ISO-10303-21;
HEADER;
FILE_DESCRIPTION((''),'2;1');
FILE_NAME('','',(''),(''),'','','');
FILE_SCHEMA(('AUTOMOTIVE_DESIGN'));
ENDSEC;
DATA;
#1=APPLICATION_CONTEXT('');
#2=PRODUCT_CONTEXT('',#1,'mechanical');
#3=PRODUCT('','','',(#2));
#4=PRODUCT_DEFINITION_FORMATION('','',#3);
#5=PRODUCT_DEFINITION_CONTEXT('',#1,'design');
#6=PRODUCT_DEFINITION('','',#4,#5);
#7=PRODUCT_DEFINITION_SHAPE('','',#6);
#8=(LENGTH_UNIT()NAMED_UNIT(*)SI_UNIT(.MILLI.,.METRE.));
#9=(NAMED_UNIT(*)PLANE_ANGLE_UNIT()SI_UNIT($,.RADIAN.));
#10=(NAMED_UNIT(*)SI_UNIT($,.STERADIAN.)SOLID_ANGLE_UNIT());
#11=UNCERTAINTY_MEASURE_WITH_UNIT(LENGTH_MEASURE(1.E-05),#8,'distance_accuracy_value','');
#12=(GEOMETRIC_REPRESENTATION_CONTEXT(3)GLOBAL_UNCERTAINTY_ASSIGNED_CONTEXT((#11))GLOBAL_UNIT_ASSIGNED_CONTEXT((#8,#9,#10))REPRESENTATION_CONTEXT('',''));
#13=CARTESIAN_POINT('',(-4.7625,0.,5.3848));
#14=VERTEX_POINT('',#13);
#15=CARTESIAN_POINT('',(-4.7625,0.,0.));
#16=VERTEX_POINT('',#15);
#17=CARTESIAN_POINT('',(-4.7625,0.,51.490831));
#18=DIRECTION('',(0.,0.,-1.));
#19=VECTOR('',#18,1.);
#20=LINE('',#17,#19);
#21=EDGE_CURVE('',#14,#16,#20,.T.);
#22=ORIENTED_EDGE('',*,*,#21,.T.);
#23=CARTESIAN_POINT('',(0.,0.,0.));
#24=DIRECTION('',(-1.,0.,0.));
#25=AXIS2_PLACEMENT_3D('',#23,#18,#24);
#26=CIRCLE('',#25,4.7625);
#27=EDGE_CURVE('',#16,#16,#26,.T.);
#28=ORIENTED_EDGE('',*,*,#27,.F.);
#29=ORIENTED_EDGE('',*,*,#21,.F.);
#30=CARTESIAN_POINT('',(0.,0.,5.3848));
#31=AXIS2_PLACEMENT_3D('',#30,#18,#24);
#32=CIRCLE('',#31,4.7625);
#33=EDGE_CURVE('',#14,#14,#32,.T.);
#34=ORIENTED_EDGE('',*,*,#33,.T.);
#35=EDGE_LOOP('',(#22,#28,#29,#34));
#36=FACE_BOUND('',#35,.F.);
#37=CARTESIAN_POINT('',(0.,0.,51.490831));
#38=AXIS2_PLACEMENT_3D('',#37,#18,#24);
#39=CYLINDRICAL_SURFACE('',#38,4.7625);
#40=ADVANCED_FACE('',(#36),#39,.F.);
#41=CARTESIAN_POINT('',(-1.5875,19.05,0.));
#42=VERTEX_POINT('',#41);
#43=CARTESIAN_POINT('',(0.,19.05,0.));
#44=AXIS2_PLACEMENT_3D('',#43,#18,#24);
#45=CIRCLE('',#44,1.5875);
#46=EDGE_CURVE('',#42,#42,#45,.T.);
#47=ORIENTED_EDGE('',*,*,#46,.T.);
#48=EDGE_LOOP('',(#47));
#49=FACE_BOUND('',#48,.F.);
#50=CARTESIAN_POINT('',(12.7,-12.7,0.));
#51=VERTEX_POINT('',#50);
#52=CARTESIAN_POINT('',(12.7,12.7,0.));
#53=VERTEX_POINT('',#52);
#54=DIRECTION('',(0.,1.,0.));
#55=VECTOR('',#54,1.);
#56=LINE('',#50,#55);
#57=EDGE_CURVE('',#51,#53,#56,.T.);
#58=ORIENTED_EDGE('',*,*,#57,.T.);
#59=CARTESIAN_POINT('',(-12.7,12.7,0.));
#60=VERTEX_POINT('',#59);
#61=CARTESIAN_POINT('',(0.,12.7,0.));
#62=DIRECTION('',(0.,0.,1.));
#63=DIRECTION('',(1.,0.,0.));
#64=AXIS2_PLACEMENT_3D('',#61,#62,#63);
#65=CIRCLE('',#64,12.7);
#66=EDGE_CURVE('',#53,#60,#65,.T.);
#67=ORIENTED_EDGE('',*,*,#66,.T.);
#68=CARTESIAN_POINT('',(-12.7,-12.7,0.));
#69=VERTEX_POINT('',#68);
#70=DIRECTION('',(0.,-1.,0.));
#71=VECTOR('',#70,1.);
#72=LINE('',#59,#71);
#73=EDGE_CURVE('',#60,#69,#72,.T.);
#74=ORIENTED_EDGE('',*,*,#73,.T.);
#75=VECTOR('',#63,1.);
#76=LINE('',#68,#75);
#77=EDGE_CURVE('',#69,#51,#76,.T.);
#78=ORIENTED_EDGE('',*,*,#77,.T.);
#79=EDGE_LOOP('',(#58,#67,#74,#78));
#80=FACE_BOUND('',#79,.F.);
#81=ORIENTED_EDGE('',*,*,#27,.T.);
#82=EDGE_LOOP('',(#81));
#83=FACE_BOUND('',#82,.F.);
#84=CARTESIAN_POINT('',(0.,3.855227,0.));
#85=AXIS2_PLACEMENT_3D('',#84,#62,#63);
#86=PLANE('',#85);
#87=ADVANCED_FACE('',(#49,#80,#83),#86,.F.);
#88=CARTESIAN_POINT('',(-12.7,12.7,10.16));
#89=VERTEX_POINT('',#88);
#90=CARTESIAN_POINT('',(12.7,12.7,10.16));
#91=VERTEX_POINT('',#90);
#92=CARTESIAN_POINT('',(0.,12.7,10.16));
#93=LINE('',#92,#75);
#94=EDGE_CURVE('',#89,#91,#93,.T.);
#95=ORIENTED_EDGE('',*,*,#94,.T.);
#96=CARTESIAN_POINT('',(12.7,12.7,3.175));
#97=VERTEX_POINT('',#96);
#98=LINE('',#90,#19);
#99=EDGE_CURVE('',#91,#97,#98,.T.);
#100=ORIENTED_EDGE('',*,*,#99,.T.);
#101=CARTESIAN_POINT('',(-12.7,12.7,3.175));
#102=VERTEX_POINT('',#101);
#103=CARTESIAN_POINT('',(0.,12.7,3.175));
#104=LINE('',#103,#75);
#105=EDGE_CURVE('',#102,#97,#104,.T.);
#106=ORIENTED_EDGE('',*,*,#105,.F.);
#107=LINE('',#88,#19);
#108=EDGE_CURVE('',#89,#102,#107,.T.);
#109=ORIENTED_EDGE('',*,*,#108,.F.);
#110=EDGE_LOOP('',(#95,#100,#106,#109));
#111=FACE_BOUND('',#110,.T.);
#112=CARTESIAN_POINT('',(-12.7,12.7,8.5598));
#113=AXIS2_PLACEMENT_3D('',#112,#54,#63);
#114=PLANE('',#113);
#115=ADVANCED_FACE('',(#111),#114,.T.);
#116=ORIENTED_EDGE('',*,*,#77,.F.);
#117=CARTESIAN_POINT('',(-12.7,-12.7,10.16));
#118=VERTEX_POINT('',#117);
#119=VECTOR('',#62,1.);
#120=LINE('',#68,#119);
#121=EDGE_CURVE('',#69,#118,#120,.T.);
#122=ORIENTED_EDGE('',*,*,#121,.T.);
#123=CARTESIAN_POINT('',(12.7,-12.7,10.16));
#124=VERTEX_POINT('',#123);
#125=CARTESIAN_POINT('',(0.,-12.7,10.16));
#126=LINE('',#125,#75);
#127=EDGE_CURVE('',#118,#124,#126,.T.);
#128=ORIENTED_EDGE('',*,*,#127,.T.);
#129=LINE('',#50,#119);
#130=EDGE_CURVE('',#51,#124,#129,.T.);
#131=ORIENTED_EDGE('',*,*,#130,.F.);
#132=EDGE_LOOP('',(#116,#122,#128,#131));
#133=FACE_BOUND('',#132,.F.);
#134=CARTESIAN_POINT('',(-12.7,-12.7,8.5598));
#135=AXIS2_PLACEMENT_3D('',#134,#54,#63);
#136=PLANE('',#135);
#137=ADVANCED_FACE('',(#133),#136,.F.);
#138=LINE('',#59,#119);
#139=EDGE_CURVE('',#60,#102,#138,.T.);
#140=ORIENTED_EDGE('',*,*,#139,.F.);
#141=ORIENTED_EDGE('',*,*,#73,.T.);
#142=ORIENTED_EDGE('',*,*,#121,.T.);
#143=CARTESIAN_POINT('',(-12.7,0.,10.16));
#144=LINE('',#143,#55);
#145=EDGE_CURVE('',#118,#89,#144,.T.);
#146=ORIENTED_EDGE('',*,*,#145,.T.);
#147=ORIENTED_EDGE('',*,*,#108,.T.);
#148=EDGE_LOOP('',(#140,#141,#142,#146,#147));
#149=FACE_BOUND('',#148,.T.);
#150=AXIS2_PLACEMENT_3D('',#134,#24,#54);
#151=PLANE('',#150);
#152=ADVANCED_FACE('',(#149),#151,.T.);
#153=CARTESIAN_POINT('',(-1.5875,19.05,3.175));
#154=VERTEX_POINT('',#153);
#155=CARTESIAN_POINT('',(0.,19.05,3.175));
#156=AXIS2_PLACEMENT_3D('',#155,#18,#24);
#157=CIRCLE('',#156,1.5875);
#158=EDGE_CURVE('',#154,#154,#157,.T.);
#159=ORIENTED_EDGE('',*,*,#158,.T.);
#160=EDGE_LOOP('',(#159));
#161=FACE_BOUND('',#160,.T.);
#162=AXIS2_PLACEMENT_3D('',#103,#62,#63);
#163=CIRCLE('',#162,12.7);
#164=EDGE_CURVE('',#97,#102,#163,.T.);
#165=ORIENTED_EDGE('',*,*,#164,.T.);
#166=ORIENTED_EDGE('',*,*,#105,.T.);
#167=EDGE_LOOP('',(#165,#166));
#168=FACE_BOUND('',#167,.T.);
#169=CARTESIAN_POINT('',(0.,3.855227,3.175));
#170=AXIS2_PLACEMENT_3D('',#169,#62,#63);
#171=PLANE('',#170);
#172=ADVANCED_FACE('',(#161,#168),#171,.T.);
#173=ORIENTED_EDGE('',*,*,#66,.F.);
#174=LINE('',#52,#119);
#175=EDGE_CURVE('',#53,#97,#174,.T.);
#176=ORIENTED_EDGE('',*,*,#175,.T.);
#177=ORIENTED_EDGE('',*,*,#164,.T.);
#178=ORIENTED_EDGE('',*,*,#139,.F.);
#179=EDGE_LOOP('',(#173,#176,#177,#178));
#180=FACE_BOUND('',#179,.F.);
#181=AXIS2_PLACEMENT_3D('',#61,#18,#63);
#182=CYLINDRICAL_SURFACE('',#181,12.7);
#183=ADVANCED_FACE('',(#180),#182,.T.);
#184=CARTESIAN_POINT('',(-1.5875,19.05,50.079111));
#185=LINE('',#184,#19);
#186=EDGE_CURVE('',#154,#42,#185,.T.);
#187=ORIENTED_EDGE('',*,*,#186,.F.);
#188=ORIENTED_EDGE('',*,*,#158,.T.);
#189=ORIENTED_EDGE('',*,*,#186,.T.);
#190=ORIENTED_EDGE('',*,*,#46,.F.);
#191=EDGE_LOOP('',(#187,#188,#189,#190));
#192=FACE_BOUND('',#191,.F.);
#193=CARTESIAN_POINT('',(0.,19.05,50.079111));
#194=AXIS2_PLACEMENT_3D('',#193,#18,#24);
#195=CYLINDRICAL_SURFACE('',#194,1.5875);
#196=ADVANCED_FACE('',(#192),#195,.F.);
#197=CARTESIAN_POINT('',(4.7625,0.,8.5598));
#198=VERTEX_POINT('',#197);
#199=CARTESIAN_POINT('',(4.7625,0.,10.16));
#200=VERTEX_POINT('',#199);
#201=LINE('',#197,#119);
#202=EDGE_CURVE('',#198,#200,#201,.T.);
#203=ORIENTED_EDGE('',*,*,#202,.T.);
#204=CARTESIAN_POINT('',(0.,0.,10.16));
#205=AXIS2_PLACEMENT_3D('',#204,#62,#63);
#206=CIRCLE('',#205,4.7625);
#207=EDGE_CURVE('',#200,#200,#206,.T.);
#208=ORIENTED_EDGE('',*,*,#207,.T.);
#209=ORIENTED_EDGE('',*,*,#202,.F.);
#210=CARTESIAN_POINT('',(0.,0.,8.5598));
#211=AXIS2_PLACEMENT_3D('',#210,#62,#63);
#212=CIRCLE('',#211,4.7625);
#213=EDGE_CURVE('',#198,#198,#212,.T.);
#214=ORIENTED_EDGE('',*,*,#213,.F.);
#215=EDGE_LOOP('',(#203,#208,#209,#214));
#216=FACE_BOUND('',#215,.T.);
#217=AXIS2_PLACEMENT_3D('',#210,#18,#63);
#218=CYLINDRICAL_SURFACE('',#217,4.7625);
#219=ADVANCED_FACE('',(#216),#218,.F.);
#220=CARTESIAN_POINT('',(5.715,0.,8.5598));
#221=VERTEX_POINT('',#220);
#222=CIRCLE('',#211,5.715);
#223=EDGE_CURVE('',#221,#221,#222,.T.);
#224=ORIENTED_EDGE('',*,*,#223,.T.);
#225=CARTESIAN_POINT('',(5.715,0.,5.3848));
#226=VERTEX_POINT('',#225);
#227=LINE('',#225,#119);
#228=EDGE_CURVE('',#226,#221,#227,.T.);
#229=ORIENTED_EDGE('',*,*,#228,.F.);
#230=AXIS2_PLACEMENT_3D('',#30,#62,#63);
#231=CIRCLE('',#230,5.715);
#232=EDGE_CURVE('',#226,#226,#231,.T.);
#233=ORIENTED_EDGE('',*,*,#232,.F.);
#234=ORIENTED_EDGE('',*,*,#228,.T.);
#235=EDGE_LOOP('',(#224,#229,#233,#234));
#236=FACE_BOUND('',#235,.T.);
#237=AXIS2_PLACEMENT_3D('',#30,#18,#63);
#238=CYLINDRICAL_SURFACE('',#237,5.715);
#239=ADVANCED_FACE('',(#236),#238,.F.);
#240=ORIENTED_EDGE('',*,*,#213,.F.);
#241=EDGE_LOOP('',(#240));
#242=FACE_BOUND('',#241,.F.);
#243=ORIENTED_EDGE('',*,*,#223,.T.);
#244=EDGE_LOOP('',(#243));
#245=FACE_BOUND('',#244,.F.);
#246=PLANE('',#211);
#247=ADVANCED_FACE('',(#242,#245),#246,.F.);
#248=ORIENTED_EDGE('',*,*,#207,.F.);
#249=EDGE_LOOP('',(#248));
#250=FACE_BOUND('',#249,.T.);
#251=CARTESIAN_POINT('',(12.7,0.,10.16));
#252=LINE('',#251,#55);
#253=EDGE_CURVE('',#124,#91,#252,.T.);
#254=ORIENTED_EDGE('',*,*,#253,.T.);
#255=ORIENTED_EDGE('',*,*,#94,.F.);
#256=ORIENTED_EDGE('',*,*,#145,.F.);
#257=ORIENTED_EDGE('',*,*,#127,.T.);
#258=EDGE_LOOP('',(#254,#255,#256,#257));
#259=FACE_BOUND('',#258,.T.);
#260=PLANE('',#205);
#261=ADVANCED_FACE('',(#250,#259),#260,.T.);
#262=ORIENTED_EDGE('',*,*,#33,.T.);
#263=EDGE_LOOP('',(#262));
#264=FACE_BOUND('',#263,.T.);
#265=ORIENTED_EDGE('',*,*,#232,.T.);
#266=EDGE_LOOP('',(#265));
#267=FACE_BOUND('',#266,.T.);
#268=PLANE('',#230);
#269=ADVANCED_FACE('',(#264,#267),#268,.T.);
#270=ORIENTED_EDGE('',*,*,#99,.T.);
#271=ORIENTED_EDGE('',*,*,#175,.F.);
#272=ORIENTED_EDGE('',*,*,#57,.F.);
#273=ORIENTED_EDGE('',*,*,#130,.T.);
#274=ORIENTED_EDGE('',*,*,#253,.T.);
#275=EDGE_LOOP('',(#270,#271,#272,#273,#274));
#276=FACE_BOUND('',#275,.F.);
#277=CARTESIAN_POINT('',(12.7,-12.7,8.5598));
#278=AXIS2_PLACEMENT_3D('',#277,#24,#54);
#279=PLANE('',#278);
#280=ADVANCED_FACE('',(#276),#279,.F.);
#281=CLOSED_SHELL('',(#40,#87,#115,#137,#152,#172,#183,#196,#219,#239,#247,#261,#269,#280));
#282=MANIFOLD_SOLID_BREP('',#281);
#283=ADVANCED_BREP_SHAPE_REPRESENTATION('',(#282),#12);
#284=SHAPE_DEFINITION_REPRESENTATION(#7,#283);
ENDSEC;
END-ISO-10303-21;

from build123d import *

# Parameters (mm, degrees)
F1_DEPTH = 3.175
F2_W     = 25.4
F2_H     = 25.4
F3_DEPTH = 2.2098
F5_D     = 9.525
F6_W     = 25.4
F6_H     = 25.4
F6_R     = 5.715
F7_DEPTH = 3.175
F8_W     = 25.4
F8_H     = 25.4
F8_R     = 4.7625
F9_DEPTH = 1.6002
F11_D    = 3.175


with BuildPart() as f1:
    # F0 (on Top) → F1 (new body)
    with BuildSketch(Plane.XY):
        with BuildLine():
            Line((-12.7, -12.7), (12.7, -12.7))
            Line((12.7, -12.7), (12.7, 12.7))
            ThreePointArc((12.7, 12.7), (0, 25.4), (-12.7, 12.7))
            Line((-12.7, 12.7), (-12.7, -12.7))
        make_face()
    extrude(amount=F1_DEPTH)

    # F2 (on face) → F3 (join)
    with BuildSketch(Plane.XY.offset(3.175)):
        Rectangle(F2_W, F2_H)
    extrude(amount=F3_DEPTH)

    # F5 (through all)
    with Locations(Plane.XY.offset(5.3848)):
        with Locations((0, 0)):
            Hole(F5_D / 2)

    # F6 (on face) → F7 (join)
    with BuildSketch(Plane.XY.offset(5.3848)):
        Rectangle(F6_W, F6_H)
        Circle(F6_R, mode=Mode.SUBTRACT)
    extrude(amount=F7_DEPTH)

    # F8 (on face) → F9 (join)
    with BuildSketch(Plane.XY.offset(8.5598)):
        Rectangle(F8_W, F8_H)
        Circle(F8_R, mode=Mode.SUBTRACT)
    extrude(amount=F9_DEPTH)

    # F11 (through all)
    with Locations(Plane.XY.offset(3.175)):
        with Locations((0, 19.05)):
            Hole(F11_D / 2)


solid = f1.part
